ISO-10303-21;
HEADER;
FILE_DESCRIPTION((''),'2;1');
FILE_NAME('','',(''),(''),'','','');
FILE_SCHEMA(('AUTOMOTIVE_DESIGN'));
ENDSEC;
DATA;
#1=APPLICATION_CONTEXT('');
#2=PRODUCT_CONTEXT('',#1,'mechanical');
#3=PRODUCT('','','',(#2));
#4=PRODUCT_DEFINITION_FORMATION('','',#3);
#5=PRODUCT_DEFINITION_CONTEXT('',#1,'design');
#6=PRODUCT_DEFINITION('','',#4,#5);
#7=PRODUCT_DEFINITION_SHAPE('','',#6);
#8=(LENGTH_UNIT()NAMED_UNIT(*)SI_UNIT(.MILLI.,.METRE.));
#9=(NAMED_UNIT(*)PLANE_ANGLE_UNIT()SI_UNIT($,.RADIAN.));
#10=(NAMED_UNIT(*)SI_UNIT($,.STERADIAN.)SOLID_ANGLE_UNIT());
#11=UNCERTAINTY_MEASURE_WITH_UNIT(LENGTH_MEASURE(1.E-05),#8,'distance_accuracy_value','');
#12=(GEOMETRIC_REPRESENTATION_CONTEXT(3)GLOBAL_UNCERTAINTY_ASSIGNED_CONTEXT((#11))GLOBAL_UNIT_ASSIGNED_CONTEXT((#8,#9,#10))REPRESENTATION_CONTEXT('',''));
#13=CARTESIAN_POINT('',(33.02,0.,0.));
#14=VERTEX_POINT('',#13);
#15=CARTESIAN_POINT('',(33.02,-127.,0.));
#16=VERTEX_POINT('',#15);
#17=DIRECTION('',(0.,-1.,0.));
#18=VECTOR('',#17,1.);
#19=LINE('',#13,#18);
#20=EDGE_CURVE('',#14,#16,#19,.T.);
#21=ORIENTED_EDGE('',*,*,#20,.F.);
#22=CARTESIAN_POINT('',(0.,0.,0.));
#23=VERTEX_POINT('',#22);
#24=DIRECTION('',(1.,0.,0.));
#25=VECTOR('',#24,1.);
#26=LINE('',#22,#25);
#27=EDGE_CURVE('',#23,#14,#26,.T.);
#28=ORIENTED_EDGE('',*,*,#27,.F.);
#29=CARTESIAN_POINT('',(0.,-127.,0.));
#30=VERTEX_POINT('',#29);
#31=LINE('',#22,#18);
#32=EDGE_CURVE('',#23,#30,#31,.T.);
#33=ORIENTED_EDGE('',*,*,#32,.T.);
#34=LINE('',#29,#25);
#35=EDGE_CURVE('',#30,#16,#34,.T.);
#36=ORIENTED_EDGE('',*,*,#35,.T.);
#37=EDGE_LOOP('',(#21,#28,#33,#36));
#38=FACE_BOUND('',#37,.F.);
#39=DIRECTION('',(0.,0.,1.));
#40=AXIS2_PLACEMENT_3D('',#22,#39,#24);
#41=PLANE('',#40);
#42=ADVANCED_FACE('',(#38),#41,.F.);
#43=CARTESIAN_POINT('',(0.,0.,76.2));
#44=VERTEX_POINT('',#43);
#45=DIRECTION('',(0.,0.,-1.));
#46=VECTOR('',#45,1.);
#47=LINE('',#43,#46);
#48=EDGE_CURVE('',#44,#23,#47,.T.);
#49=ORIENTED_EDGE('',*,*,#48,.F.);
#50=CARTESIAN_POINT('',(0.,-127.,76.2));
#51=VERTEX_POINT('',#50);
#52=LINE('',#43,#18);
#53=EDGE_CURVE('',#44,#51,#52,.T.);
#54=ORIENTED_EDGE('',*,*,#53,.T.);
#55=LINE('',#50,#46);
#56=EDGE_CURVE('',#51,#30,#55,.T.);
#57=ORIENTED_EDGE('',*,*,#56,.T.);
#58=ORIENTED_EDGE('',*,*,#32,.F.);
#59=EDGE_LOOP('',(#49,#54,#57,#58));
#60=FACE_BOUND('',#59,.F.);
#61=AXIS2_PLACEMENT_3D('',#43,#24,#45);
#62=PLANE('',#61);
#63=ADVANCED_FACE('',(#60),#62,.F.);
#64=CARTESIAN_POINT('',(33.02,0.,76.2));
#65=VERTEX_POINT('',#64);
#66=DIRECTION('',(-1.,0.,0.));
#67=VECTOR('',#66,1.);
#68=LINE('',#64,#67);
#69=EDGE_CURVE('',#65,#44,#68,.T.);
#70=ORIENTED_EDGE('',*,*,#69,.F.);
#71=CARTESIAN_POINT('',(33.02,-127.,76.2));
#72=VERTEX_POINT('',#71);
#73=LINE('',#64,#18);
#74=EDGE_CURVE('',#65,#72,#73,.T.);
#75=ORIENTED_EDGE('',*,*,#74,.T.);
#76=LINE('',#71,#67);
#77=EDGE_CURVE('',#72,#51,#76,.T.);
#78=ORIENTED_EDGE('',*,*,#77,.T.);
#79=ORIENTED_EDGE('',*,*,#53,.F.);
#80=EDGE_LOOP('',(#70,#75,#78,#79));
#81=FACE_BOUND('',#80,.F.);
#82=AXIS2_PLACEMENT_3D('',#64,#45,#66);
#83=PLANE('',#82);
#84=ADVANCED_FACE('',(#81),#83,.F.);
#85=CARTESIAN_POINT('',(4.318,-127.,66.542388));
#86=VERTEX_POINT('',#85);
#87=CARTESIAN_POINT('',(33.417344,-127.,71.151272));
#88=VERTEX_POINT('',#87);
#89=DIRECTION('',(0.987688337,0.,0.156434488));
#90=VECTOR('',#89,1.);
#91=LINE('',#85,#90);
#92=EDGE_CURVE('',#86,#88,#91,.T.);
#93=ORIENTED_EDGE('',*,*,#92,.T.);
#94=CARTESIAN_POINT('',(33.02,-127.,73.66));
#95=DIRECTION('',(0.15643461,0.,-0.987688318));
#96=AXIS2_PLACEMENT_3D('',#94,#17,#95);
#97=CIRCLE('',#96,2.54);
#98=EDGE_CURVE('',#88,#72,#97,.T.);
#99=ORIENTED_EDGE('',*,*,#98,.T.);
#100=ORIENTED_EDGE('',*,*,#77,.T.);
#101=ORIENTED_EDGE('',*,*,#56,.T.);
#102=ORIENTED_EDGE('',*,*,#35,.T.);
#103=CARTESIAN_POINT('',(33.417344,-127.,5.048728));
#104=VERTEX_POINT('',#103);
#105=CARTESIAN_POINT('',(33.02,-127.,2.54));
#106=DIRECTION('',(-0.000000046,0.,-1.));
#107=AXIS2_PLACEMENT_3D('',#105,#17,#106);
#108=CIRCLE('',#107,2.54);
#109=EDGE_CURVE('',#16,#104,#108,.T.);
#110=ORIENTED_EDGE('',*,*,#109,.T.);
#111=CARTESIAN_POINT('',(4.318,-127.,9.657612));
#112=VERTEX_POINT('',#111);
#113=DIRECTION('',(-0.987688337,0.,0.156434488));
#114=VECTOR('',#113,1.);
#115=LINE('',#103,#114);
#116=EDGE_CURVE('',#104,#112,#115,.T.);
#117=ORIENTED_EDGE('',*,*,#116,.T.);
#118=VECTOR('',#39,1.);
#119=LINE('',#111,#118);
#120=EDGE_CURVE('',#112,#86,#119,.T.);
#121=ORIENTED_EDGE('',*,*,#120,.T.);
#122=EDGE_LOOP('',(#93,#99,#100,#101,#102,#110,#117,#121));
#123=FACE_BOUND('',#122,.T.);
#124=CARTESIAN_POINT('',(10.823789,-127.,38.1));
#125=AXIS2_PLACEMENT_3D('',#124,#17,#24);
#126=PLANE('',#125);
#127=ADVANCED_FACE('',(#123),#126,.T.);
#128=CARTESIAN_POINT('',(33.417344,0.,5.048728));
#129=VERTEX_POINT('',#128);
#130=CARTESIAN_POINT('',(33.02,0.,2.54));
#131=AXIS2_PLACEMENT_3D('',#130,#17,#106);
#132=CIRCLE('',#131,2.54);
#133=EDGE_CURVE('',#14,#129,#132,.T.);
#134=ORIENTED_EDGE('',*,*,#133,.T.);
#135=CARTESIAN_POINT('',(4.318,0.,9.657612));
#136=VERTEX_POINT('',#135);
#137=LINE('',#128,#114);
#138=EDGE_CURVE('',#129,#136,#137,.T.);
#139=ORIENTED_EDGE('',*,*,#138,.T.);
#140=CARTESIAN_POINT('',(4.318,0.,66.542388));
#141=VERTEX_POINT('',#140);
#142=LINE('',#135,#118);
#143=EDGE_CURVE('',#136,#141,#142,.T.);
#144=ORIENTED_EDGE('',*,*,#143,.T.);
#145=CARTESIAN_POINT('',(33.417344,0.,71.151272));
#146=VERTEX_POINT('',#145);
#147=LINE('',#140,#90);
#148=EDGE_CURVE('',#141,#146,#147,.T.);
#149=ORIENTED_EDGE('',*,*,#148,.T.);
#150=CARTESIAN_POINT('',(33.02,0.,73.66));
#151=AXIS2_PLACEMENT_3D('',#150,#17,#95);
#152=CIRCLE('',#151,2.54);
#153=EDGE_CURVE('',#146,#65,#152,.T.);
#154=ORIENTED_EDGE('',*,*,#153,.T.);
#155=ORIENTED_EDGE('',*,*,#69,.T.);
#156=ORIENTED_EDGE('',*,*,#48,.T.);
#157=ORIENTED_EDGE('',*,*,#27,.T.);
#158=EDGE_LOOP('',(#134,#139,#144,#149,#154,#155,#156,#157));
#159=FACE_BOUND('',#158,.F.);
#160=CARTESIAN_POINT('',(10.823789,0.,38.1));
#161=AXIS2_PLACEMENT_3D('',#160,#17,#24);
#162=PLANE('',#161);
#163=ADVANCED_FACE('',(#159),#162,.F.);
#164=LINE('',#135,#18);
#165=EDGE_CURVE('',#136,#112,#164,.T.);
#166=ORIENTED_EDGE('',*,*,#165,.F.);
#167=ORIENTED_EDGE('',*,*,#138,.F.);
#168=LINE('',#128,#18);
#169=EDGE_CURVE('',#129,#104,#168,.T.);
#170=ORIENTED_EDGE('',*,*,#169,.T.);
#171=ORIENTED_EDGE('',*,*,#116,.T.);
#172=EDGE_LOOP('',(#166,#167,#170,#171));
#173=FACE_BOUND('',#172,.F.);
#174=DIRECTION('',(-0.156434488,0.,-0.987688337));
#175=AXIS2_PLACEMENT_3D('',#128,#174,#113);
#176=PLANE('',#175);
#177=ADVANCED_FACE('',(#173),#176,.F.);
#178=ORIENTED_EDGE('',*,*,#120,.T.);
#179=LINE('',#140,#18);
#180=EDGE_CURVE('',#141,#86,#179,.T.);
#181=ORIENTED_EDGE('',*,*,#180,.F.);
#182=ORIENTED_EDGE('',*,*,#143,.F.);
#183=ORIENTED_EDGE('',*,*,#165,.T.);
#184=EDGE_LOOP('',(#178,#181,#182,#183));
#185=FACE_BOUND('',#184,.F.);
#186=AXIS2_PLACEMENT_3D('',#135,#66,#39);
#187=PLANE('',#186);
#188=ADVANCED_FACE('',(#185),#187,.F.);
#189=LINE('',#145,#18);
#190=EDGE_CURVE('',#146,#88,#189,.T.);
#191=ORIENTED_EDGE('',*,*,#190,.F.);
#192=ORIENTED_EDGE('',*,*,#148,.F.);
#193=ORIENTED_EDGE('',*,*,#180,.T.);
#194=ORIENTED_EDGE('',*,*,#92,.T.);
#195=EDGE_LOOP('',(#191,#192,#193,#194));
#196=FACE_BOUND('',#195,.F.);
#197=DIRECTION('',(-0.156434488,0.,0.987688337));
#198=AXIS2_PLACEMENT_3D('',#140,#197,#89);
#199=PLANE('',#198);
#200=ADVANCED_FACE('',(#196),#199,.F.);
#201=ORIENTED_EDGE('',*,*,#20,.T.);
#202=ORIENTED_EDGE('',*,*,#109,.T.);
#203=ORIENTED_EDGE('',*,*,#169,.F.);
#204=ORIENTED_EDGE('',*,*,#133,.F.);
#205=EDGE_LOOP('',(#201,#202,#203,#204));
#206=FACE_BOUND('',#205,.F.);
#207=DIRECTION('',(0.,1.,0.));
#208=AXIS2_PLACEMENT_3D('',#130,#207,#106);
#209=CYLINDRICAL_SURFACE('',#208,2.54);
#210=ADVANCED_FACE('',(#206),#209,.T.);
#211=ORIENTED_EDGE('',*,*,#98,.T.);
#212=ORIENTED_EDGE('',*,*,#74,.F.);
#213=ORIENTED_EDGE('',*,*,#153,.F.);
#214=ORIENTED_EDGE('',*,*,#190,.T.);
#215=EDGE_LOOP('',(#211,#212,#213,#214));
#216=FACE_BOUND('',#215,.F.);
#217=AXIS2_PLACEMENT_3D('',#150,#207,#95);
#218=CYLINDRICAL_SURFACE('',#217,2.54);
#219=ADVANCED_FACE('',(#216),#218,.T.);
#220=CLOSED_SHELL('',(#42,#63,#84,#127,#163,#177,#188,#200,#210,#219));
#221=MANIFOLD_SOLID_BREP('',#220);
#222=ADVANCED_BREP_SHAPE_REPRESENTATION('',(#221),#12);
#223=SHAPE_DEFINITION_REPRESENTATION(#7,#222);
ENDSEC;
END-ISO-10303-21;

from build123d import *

# Parameters (mm, degrees)
F1_DEPTH = 127


with BuildPart() as f1:
    # F0 (on Front) → F1 (new body)
    with BuildSketch(Plane.XZ):
        with BuildLine():
            Line((0, 76.2), (0, 0))
            Line((0, 0), (33.02, 0))
            ThreePointArc((33.02, 0), (35.55217, 2.340714), (33.417344, 5.048728))
            Line((33.417344, 5.048728), (4.318, 9.657612))
            Line((4.318, 9.657612), (4.318, 66.542388))
            Line((4.318, 66.542388), (33.417344, 71.151272))
            ThreePointArc((33.417344, 71.151272), (35.55217, 73.859286), (33.02, 76.2))
            Line((33.02, 76.2), (0, 76.2))
        make_face()
    extrude(amount=F1_DEPTH)


solid = f1.part
